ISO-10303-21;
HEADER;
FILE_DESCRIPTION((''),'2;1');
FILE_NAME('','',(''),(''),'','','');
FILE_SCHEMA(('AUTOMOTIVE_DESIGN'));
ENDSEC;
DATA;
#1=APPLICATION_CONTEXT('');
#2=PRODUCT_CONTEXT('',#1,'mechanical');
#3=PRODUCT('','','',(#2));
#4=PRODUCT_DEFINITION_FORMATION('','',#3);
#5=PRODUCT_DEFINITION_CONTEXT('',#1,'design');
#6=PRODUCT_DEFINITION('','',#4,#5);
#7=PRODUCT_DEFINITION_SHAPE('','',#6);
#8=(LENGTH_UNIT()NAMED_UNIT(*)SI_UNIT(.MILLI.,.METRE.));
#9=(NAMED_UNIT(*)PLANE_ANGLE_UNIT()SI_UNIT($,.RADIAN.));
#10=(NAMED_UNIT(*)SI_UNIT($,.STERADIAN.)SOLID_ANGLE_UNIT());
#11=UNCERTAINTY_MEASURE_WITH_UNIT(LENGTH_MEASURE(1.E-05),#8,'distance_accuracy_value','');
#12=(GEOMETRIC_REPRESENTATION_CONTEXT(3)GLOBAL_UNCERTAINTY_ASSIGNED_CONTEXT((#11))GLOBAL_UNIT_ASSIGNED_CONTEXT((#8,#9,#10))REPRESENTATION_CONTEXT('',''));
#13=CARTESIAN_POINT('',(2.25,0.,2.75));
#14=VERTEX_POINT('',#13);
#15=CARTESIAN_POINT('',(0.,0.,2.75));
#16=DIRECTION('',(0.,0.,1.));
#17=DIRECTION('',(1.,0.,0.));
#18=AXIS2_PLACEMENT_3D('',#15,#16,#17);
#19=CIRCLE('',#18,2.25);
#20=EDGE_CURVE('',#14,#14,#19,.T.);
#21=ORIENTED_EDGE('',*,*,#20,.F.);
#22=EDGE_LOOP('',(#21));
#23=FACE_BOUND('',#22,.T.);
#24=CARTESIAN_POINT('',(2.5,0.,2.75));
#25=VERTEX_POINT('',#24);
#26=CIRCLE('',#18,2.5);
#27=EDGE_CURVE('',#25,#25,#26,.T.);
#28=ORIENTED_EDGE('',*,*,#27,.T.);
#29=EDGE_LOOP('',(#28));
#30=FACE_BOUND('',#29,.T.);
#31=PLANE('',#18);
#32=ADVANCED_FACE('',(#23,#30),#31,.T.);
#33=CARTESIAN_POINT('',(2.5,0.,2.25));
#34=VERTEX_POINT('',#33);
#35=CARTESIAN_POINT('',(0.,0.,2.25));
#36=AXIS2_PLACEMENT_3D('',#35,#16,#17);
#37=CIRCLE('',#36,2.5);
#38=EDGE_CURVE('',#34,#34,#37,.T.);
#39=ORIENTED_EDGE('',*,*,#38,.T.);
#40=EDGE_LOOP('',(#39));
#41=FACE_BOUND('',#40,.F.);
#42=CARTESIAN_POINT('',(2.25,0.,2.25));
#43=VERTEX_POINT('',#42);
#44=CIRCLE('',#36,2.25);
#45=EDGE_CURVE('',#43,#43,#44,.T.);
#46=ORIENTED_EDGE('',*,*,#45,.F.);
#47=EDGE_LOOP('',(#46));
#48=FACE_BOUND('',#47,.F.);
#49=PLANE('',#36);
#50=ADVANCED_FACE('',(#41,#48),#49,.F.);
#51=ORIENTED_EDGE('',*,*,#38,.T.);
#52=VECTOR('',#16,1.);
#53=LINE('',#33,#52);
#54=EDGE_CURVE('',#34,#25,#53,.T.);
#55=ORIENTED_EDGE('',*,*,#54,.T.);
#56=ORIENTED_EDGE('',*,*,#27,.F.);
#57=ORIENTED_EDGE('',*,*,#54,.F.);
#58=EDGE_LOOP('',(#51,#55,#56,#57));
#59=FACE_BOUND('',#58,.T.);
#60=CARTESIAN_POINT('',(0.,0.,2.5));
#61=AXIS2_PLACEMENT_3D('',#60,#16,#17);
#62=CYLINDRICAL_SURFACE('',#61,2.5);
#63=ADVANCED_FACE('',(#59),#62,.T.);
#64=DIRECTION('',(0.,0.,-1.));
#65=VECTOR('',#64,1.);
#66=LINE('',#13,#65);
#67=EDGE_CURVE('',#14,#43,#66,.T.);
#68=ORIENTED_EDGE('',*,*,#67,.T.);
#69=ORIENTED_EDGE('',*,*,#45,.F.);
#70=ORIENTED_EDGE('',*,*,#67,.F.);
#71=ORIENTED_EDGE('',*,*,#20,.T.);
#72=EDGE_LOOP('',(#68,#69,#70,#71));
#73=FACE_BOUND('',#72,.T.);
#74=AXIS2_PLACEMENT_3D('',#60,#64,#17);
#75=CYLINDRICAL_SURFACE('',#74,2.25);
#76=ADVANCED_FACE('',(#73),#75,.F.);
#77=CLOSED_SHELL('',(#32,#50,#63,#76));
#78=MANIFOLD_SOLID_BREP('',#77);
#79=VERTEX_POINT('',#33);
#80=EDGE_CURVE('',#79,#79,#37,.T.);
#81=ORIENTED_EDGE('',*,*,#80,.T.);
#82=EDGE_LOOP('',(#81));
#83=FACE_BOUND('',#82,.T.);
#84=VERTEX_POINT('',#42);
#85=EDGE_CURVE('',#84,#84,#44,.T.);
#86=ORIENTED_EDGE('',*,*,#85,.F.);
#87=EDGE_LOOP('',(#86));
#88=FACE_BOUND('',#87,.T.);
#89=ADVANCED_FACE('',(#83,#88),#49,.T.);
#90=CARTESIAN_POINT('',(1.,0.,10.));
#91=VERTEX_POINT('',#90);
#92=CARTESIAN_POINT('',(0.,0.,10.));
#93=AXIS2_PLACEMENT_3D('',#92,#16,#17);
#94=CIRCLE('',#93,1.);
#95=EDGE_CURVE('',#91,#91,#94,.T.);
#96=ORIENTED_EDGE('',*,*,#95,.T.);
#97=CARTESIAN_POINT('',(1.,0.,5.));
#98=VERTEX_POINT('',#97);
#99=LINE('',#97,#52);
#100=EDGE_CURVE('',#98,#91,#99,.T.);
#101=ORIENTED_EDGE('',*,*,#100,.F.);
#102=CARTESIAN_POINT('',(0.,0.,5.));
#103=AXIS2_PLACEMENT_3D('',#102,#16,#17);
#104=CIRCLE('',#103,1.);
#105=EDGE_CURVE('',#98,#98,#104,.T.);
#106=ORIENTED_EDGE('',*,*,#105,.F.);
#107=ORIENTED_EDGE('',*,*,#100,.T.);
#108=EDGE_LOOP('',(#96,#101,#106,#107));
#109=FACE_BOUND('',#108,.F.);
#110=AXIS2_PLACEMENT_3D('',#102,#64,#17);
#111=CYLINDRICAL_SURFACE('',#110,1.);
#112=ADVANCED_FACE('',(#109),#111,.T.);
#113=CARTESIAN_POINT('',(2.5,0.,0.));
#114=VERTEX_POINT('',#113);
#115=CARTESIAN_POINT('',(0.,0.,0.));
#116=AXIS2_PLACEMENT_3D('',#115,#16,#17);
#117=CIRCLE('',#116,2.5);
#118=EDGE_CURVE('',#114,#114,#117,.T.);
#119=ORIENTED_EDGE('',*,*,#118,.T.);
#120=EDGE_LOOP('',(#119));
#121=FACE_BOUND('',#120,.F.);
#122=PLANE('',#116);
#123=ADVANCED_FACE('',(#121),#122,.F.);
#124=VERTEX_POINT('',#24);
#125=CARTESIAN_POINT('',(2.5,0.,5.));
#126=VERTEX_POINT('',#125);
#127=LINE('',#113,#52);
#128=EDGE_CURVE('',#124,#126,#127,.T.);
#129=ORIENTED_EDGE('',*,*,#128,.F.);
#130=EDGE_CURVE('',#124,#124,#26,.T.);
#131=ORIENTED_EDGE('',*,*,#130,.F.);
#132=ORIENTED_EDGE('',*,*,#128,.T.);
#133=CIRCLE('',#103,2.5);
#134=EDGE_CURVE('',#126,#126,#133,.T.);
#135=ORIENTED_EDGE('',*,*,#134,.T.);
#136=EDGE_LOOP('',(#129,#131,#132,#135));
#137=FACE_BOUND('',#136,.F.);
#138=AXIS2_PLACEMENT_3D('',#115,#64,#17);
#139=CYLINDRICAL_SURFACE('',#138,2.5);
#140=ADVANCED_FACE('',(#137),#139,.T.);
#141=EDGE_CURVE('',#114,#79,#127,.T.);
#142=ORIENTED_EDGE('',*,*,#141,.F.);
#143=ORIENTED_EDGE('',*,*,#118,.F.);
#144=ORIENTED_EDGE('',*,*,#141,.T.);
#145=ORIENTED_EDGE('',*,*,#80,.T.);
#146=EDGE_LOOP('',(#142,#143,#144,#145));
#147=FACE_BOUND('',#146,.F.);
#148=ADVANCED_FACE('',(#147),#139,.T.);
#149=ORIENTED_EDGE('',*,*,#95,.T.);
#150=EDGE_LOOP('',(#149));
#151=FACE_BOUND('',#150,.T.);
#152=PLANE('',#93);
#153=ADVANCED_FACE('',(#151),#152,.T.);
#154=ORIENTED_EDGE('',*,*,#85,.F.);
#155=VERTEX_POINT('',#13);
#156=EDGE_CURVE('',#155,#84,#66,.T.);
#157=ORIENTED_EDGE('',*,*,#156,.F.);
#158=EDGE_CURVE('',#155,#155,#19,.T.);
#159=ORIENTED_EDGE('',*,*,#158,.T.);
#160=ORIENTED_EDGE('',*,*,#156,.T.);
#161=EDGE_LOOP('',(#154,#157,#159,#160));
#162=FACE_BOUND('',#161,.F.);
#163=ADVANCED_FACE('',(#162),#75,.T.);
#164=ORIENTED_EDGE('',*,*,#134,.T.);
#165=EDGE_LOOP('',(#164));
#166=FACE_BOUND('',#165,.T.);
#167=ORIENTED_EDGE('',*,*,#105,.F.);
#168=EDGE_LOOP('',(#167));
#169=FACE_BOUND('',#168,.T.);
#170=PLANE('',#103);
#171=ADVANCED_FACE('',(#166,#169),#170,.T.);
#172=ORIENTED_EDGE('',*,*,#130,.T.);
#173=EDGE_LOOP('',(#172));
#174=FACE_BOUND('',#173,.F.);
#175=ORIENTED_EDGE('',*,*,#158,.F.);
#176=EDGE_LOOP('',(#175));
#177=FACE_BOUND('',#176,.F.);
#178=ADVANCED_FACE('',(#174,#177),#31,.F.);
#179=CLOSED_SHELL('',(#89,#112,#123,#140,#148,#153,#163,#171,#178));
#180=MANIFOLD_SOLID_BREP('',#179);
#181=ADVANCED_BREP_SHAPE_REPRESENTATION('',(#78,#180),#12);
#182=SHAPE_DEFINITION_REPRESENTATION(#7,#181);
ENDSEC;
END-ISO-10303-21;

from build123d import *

# Parameters (mm, degrees)
F0_R     = 2.5
F1_DEPTH = 5
F3_R     = 1
F4_DEPTH = 5
F5_R     = 2.5
F5_R_2   = 2.25
F6_DEPTH = 0.25
F7_DEPTH = 0.25


with BuildPart() as f1:
    # F0 (on Top) → F1 (new body)
    with BuildSketch(Plane.XY):
        Circle(F0_R)
    extrude(amount=F1_DEPTH)

    # F3 (on face) → F4 (join)
    with BuildSketch(Plane.XY.offset(5)):
        Circle(F3_R)
    extrude(amount=F4_DEPTH)

    # F5 (on offset) → F6 (cut, symmetric)
    with BuildSketch(Plane.XY.offset(2.5)):
        Circle(F5_R)
        Circle(F5_R_2, mode=Mode.SUBTRACT)
    extrude(amount=F6_DEPTH, both=True, mode=Mode.SUBTRACT)


with BuildPart() as f7:
    # F5 (on offset) → F7 (new body, symmetric)
    with BuildSketch(Plane.XY.offset(2.5)):
        Circle(F5_R)
        Circle(F5_R_2, mode=Mode.SUBTRACT)
    extrude(amount=F7_DEPTH, both=True)


solid = Compound([f1.part, f7.part])
